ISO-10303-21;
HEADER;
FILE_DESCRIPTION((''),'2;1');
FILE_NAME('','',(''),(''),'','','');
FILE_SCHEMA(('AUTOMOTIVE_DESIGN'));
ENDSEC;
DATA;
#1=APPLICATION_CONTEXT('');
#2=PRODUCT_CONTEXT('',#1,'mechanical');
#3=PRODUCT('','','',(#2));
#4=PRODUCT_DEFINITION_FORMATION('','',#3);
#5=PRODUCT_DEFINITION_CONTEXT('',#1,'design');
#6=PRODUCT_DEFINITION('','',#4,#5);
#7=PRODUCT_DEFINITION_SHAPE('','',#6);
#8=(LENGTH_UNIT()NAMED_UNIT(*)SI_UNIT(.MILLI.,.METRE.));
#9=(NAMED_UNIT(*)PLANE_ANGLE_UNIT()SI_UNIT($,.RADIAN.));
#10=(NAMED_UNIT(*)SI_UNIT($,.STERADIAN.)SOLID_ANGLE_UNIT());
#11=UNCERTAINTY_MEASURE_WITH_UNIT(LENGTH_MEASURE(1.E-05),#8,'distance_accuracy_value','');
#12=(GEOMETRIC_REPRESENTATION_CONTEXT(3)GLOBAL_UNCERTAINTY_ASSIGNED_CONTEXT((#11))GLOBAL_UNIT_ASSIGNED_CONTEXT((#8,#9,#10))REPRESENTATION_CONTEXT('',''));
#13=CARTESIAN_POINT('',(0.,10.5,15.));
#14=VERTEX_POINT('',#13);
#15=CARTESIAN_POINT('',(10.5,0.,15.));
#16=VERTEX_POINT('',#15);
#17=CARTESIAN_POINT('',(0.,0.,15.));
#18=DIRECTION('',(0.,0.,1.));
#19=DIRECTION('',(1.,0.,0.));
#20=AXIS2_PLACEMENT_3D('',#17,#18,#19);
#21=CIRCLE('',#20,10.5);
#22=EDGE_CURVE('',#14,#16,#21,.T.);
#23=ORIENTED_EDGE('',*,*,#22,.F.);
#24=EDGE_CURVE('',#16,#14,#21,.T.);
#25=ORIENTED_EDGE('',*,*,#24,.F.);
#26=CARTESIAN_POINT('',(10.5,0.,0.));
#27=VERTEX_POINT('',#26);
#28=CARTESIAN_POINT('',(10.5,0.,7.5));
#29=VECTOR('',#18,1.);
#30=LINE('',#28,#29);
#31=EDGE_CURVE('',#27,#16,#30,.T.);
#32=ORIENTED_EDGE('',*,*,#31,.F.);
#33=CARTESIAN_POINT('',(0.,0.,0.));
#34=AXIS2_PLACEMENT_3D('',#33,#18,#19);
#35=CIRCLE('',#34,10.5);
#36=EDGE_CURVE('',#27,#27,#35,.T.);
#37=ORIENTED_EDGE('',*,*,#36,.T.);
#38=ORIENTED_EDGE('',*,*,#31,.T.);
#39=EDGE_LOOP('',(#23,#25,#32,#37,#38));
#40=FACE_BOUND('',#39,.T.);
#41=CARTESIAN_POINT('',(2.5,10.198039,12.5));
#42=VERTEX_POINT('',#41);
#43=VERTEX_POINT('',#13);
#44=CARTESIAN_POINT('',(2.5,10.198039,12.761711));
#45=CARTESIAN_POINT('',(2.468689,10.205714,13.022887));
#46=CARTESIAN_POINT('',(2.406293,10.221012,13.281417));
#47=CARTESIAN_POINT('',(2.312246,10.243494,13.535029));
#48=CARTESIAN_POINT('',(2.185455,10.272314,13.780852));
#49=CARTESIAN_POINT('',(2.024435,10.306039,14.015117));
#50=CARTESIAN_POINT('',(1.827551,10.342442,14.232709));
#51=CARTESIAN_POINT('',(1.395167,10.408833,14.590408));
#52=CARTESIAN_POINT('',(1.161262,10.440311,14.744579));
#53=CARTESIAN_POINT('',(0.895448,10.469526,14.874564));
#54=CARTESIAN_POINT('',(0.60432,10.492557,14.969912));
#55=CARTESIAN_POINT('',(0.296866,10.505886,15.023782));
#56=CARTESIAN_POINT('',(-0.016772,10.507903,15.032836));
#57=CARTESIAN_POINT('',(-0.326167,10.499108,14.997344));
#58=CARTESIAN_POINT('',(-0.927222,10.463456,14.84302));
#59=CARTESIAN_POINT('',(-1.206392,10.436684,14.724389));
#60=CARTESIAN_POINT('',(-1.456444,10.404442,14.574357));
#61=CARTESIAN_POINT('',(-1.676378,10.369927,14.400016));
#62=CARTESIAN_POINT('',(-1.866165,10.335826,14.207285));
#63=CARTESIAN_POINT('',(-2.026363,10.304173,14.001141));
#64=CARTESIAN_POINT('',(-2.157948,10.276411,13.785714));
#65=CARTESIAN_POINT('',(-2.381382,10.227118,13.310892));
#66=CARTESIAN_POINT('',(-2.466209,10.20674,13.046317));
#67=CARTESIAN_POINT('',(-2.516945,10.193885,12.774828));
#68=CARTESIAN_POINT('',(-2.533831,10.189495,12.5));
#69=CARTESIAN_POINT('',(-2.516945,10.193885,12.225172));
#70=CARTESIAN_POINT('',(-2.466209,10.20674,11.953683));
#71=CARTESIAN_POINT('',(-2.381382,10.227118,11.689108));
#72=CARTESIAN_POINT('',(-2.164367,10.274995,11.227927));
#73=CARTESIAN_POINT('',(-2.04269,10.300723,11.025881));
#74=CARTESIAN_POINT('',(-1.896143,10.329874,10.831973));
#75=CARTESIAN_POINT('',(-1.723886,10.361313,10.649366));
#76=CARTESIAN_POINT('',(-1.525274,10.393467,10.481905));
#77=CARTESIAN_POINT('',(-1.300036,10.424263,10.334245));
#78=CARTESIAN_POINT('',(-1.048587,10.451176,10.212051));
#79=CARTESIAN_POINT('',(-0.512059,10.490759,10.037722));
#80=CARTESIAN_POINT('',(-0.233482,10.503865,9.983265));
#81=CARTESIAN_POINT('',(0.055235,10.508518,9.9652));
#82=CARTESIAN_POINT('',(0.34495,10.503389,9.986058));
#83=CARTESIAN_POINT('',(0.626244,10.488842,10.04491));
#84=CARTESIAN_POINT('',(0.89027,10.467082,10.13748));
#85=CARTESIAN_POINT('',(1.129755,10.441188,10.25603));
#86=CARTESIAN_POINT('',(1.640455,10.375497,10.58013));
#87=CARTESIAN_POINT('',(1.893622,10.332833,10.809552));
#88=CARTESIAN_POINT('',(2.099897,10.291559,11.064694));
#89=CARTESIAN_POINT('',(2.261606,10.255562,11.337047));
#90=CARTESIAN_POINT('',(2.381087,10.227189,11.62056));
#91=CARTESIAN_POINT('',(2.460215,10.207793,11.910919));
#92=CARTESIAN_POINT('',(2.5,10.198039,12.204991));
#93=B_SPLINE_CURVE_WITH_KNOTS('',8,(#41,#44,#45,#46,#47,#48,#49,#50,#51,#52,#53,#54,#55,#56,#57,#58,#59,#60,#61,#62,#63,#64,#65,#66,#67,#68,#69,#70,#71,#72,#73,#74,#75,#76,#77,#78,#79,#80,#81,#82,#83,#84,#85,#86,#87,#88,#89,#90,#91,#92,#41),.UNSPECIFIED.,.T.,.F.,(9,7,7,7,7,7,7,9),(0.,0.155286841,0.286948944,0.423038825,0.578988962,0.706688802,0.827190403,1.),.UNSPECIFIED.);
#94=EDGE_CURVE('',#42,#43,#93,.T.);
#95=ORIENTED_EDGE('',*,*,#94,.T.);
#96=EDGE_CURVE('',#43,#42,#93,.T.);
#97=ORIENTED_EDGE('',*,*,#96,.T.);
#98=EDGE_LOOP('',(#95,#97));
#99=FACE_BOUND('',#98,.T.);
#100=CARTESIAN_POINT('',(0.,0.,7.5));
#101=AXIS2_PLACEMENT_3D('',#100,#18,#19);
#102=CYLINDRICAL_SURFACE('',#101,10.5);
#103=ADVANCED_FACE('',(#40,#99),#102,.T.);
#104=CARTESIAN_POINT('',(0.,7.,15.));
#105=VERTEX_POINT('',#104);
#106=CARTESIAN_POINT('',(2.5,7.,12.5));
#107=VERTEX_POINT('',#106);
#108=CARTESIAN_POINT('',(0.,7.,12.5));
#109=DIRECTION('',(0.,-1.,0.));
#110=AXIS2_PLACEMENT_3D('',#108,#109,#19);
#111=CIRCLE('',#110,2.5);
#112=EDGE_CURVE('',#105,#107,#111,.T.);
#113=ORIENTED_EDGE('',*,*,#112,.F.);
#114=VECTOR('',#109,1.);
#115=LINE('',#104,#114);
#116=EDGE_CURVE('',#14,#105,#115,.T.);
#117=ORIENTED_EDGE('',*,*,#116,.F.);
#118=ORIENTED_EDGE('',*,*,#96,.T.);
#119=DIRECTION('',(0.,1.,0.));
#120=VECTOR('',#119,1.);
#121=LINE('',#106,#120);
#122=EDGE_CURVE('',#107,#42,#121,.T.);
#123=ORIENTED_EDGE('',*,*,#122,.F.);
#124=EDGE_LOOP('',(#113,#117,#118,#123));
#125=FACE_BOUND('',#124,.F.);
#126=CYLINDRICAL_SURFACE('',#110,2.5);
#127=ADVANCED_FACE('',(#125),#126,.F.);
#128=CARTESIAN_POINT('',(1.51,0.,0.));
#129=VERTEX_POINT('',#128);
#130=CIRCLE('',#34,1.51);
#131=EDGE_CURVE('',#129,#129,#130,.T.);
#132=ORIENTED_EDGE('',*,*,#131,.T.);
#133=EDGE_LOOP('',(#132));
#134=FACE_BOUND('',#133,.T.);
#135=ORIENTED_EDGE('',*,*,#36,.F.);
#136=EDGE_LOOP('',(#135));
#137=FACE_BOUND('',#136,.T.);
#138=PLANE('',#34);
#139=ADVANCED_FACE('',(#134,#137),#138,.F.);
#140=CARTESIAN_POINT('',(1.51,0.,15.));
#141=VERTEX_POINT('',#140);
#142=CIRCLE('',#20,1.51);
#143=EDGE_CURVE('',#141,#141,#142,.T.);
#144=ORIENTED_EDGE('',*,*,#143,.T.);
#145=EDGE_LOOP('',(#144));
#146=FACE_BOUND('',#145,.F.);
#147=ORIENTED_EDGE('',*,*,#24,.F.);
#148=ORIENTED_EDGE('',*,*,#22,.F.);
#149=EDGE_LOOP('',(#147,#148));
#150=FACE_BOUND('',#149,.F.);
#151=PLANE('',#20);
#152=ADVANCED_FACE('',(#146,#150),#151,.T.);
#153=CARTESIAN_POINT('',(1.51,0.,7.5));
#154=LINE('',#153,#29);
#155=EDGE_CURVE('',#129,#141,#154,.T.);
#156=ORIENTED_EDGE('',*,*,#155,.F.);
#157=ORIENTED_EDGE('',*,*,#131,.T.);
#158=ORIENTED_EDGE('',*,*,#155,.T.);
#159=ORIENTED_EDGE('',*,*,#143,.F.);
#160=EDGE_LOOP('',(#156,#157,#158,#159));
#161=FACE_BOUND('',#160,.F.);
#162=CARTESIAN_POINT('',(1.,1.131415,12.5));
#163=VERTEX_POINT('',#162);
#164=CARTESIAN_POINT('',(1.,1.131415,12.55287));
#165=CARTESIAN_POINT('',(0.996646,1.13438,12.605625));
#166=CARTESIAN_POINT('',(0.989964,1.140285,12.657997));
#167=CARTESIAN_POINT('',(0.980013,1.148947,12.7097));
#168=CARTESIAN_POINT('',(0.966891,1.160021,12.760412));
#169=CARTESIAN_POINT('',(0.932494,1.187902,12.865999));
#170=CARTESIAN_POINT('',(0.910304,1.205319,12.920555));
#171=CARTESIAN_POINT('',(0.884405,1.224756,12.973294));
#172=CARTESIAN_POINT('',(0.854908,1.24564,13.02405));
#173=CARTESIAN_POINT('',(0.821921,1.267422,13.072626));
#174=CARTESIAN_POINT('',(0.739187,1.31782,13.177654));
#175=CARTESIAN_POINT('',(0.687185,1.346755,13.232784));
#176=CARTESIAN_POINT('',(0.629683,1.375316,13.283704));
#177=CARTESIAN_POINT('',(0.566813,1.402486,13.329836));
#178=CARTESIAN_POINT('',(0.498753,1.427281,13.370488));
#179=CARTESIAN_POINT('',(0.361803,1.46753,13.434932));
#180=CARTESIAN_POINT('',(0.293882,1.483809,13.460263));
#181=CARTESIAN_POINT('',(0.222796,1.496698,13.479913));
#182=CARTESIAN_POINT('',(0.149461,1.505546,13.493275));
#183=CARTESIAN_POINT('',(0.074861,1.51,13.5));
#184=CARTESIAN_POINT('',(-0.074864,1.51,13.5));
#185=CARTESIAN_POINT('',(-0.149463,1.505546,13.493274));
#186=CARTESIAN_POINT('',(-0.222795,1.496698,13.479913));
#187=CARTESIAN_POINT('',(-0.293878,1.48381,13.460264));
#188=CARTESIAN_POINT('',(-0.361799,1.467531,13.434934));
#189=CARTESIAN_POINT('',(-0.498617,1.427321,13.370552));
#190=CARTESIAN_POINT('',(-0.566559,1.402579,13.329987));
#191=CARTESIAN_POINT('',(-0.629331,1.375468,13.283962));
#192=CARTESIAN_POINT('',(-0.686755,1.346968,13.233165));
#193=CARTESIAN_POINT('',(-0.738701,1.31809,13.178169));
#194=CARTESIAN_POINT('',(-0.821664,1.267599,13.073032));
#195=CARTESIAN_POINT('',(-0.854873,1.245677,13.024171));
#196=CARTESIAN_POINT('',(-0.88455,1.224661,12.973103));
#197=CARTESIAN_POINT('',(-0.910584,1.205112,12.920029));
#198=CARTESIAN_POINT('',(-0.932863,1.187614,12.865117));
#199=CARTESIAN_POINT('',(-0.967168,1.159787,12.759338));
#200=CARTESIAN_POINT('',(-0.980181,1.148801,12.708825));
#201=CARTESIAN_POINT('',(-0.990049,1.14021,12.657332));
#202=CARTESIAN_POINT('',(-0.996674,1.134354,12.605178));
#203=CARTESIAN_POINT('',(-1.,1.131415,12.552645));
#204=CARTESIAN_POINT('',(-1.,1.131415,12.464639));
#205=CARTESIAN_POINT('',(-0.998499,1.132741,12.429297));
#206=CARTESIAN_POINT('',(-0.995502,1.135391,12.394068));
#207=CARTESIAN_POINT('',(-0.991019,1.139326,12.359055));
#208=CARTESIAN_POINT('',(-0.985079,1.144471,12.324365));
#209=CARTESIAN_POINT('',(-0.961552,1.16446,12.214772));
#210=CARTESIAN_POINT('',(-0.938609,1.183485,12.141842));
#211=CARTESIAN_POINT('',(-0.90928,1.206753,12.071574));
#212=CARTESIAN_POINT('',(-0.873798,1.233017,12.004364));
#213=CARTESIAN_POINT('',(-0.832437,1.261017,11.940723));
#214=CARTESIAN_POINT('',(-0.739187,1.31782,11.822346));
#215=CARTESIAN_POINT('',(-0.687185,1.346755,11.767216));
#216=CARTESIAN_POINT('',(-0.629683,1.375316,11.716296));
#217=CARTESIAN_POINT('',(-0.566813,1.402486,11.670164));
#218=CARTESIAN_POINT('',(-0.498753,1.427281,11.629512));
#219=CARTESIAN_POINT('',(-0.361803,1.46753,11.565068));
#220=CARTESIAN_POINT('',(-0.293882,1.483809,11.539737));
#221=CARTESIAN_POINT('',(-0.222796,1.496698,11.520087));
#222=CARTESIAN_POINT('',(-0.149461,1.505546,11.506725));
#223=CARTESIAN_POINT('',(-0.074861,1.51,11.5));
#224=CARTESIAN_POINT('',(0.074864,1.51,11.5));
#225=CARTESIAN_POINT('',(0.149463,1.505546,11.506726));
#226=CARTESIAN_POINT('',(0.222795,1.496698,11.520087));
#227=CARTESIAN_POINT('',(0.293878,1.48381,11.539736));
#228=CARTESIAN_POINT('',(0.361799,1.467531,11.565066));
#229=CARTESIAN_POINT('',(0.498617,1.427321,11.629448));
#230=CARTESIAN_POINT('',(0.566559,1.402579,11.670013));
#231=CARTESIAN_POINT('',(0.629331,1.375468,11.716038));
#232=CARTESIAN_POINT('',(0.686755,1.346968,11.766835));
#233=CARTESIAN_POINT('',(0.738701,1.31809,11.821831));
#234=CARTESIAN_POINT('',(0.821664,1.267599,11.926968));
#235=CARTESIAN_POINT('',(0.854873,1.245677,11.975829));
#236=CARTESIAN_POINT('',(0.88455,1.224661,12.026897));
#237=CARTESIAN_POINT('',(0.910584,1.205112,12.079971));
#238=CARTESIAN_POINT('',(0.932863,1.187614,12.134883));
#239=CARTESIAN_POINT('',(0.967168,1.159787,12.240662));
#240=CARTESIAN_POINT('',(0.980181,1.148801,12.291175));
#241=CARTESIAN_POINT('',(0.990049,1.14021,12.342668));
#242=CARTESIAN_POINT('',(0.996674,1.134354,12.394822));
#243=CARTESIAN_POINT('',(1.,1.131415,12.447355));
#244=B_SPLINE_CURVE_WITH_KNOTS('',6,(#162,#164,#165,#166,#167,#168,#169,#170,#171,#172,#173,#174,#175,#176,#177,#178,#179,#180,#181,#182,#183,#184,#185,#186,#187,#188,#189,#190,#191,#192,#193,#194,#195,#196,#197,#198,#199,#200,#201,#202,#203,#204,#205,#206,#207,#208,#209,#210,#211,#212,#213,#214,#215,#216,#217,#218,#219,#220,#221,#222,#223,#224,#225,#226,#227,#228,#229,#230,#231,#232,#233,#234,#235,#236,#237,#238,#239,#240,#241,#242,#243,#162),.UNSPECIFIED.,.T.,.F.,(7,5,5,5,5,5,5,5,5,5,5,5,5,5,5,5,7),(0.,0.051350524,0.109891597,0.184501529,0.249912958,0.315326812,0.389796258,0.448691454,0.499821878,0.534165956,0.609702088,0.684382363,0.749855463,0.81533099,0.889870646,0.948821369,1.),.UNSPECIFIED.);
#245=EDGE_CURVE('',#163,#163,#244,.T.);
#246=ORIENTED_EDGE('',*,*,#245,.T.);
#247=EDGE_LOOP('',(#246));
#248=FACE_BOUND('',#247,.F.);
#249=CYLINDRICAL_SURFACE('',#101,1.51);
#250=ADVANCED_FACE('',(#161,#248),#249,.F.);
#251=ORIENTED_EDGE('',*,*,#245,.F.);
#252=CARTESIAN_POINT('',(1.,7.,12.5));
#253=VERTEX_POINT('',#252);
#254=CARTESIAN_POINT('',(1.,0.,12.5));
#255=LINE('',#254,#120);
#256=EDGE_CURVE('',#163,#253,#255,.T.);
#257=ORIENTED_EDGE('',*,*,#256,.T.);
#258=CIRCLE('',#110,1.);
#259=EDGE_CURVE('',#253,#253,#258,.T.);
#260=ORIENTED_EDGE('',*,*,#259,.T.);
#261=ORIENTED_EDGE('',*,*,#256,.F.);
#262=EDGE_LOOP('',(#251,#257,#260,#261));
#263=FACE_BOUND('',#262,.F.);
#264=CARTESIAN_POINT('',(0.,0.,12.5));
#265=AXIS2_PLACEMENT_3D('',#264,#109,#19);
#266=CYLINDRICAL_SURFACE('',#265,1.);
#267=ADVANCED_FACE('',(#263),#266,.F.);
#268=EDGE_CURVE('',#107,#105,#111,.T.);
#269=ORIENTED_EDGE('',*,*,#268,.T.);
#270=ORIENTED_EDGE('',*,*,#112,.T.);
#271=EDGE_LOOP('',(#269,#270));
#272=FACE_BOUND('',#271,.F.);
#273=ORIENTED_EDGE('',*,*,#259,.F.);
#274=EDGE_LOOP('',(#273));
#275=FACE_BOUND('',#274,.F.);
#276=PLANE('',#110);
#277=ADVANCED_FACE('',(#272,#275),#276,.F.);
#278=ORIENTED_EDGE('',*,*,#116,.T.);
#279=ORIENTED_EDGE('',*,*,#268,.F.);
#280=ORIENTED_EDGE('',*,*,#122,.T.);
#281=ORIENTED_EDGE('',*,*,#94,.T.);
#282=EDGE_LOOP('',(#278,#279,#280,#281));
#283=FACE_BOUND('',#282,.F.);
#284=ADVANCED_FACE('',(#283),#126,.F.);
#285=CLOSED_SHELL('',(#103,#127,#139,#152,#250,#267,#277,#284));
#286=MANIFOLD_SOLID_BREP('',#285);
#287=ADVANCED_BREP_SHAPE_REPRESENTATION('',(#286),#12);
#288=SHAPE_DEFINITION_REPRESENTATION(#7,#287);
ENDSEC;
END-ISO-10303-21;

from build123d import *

# Parameters (mm, degrees)
SKETCH_W        = 8.99
SKETCH_H        = 15
SKETCH001_R     = 1
POCKET_DEPTH    = 26
POCKET001_START = -7
SKETCH002_R     = 2.5
POCKET001_DEPTH = 28


with BuildPart() as part:
    # Sketch → Revolution (revolve)
    with BuildSketch(Plane.XZ):
        with Locations((6.005, 7.5)):
            Rectangle(SKETCH_W, SKETCH_H)
    revolve(axis=Axis((0, 0, 0), (0, 0, 1)))

    # Sketch001 → Pocket (cut)
    with BuildSketch(Plane.XZ):
        with Locations((0, 12.5)):
            Circle(SKETCH001_R)
    extrude(amount=-POCKET_DEPTH, mode=Mode.SUBTRACT)

    # Sketch002 → Pocket001 (cut)
    with BuildSketch(Plane.XZ.offset(POCKET001_START)):
        with Locations((0, 12.5)):
            Circle(SKETCH002_R)
    extrude(amount=-POCKET001_DEPTH, mode=Mode.SUBTRACT)


solid = part.part
